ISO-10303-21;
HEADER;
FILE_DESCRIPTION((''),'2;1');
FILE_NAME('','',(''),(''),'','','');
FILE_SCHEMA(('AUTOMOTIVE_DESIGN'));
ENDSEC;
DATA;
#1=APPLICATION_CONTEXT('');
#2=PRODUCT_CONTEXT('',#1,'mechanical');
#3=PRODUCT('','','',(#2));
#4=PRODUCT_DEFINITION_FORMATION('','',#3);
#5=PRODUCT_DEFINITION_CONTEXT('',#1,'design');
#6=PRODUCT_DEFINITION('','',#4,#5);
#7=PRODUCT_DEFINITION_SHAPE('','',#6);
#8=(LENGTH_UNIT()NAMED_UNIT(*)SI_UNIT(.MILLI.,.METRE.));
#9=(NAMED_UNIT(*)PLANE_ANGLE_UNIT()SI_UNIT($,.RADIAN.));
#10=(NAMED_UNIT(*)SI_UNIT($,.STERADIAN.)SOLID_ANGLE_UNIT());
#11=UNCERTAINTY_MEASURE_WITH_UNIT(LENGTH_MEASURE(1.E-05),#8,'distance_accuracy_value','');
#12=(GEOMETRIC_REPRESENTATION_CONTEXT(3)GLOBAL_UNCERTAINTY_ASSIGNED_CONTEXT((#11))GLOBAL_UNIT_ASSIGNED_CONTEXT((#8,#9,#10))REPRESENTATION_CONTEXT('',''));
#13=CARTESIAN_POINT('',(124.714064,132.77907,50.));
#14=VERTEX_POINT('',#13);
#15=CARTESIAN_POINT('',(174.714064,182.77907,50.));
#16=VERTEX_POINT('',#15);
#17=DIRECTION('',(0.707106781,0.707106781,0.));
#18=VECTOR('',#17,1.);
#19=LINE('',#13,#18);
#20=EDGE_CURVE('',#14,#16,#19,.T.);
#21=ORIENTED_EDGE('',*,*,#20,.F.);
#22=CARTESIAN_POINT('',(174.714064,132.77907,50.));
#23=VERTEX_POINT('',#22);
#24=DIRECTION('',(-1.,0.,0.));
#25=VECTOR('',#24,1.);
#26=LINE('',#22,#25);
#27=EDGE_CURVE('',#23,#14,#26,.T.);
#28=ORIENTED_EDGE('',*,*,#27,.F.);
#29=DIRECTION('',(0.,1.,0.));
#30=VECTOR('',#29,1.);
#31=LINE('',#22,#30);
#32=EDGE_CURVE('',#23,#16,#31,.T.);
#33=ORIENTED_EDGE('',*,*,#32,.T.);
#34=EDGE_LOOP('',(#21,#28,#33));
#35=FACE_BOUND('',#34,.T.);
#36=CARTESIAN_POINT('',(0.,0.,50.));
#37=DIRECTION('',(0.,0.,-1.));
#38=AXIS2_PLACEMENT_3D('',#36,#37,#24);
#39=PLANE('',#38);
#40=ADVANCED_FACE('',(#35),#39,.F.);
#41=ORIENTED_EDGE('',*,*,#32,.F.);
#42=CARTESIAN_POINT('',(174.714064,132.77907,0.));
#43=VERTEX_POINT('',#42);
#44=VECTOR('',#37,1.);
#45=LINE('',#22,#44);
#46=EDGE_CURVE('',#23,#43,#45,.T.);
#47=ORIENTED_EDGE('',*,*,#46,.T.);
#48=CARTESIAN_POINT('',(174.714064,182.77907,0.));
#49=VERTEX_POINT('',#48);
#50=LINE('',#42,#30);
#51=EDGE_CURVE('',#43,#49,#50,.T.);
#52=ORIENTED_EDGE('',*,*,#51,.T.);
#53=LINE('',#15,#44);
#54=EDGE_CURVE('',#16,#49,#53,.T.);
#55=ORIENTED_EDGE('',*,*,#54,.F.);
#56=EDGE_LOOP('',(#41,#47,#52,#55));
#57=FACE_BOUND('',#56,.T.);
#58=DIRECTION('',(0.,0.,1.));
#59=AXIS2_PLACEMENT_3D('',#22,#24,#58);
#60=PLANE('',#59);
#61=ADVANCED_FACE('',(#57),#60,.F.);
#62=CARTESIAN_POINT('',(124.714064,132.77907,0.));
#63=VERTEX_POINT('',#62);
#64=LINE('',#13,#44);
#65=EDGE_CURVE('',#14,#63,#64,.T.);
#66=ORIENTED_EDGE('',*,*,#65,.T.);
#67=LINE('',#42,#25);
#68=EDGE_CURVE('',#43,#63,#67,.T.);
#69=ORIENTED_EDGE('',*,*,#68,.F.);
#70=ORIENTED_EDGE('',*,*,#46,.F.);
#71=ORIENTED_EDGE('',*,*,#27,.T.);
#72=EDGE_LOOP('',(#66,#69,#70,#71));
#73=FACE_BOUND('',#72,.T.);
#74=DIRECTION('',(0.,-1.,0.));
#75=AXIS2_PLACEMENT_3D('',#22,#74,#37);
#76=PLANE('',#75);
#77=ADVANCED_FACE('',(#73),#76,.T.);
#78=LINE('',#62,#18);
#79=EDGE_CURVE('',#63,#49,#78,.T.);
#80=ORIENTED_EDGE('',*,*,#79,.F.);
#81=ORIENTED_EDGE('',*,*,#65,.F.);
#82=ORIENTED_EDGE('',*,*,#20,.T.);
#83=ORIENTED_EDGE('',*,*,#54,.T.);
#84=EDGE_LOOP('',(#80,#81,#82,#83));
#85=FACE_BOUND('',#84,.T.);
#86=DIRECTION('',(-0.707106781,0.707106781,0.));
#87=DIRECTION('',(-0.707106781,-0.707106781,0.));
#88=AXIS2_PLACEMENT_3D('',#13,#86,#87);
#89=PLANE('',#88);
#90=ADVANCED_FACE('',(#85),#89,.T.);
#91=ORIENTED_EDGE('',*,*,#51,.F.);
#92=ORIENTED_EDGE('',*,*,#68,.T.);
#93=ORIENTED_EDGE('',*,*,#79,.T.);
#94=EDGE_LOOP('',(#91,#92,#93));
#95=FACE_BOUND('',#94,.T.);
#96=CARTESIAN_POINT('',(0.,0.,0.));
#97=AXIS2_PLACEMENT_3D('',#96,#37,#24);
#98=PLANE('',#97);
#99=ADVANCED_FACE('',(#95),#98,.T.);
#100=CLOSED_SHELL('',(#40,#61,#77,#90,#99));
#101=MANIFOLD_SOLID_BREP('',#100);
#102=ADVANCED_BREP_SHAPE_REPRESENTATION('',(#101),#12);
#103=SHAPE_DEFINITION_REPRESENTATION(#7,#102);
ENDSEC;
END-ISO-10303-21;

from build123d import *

# Parameters (mm, degrees)
EXTRUDE_1_DEPTH = 50


with BuildPart() as part:
    # 草图1 → 凸台-拉伸1 (new body)
    with BuildSketch(Plane.XY):
        Polygon((174.714063711, 132.77907024), (174.714063711, 182.77907024), (124.714063711, 132.77907024), align=None)
    extrude(amount=EXTRUDE_1_DEPTH)


solid = part.part
